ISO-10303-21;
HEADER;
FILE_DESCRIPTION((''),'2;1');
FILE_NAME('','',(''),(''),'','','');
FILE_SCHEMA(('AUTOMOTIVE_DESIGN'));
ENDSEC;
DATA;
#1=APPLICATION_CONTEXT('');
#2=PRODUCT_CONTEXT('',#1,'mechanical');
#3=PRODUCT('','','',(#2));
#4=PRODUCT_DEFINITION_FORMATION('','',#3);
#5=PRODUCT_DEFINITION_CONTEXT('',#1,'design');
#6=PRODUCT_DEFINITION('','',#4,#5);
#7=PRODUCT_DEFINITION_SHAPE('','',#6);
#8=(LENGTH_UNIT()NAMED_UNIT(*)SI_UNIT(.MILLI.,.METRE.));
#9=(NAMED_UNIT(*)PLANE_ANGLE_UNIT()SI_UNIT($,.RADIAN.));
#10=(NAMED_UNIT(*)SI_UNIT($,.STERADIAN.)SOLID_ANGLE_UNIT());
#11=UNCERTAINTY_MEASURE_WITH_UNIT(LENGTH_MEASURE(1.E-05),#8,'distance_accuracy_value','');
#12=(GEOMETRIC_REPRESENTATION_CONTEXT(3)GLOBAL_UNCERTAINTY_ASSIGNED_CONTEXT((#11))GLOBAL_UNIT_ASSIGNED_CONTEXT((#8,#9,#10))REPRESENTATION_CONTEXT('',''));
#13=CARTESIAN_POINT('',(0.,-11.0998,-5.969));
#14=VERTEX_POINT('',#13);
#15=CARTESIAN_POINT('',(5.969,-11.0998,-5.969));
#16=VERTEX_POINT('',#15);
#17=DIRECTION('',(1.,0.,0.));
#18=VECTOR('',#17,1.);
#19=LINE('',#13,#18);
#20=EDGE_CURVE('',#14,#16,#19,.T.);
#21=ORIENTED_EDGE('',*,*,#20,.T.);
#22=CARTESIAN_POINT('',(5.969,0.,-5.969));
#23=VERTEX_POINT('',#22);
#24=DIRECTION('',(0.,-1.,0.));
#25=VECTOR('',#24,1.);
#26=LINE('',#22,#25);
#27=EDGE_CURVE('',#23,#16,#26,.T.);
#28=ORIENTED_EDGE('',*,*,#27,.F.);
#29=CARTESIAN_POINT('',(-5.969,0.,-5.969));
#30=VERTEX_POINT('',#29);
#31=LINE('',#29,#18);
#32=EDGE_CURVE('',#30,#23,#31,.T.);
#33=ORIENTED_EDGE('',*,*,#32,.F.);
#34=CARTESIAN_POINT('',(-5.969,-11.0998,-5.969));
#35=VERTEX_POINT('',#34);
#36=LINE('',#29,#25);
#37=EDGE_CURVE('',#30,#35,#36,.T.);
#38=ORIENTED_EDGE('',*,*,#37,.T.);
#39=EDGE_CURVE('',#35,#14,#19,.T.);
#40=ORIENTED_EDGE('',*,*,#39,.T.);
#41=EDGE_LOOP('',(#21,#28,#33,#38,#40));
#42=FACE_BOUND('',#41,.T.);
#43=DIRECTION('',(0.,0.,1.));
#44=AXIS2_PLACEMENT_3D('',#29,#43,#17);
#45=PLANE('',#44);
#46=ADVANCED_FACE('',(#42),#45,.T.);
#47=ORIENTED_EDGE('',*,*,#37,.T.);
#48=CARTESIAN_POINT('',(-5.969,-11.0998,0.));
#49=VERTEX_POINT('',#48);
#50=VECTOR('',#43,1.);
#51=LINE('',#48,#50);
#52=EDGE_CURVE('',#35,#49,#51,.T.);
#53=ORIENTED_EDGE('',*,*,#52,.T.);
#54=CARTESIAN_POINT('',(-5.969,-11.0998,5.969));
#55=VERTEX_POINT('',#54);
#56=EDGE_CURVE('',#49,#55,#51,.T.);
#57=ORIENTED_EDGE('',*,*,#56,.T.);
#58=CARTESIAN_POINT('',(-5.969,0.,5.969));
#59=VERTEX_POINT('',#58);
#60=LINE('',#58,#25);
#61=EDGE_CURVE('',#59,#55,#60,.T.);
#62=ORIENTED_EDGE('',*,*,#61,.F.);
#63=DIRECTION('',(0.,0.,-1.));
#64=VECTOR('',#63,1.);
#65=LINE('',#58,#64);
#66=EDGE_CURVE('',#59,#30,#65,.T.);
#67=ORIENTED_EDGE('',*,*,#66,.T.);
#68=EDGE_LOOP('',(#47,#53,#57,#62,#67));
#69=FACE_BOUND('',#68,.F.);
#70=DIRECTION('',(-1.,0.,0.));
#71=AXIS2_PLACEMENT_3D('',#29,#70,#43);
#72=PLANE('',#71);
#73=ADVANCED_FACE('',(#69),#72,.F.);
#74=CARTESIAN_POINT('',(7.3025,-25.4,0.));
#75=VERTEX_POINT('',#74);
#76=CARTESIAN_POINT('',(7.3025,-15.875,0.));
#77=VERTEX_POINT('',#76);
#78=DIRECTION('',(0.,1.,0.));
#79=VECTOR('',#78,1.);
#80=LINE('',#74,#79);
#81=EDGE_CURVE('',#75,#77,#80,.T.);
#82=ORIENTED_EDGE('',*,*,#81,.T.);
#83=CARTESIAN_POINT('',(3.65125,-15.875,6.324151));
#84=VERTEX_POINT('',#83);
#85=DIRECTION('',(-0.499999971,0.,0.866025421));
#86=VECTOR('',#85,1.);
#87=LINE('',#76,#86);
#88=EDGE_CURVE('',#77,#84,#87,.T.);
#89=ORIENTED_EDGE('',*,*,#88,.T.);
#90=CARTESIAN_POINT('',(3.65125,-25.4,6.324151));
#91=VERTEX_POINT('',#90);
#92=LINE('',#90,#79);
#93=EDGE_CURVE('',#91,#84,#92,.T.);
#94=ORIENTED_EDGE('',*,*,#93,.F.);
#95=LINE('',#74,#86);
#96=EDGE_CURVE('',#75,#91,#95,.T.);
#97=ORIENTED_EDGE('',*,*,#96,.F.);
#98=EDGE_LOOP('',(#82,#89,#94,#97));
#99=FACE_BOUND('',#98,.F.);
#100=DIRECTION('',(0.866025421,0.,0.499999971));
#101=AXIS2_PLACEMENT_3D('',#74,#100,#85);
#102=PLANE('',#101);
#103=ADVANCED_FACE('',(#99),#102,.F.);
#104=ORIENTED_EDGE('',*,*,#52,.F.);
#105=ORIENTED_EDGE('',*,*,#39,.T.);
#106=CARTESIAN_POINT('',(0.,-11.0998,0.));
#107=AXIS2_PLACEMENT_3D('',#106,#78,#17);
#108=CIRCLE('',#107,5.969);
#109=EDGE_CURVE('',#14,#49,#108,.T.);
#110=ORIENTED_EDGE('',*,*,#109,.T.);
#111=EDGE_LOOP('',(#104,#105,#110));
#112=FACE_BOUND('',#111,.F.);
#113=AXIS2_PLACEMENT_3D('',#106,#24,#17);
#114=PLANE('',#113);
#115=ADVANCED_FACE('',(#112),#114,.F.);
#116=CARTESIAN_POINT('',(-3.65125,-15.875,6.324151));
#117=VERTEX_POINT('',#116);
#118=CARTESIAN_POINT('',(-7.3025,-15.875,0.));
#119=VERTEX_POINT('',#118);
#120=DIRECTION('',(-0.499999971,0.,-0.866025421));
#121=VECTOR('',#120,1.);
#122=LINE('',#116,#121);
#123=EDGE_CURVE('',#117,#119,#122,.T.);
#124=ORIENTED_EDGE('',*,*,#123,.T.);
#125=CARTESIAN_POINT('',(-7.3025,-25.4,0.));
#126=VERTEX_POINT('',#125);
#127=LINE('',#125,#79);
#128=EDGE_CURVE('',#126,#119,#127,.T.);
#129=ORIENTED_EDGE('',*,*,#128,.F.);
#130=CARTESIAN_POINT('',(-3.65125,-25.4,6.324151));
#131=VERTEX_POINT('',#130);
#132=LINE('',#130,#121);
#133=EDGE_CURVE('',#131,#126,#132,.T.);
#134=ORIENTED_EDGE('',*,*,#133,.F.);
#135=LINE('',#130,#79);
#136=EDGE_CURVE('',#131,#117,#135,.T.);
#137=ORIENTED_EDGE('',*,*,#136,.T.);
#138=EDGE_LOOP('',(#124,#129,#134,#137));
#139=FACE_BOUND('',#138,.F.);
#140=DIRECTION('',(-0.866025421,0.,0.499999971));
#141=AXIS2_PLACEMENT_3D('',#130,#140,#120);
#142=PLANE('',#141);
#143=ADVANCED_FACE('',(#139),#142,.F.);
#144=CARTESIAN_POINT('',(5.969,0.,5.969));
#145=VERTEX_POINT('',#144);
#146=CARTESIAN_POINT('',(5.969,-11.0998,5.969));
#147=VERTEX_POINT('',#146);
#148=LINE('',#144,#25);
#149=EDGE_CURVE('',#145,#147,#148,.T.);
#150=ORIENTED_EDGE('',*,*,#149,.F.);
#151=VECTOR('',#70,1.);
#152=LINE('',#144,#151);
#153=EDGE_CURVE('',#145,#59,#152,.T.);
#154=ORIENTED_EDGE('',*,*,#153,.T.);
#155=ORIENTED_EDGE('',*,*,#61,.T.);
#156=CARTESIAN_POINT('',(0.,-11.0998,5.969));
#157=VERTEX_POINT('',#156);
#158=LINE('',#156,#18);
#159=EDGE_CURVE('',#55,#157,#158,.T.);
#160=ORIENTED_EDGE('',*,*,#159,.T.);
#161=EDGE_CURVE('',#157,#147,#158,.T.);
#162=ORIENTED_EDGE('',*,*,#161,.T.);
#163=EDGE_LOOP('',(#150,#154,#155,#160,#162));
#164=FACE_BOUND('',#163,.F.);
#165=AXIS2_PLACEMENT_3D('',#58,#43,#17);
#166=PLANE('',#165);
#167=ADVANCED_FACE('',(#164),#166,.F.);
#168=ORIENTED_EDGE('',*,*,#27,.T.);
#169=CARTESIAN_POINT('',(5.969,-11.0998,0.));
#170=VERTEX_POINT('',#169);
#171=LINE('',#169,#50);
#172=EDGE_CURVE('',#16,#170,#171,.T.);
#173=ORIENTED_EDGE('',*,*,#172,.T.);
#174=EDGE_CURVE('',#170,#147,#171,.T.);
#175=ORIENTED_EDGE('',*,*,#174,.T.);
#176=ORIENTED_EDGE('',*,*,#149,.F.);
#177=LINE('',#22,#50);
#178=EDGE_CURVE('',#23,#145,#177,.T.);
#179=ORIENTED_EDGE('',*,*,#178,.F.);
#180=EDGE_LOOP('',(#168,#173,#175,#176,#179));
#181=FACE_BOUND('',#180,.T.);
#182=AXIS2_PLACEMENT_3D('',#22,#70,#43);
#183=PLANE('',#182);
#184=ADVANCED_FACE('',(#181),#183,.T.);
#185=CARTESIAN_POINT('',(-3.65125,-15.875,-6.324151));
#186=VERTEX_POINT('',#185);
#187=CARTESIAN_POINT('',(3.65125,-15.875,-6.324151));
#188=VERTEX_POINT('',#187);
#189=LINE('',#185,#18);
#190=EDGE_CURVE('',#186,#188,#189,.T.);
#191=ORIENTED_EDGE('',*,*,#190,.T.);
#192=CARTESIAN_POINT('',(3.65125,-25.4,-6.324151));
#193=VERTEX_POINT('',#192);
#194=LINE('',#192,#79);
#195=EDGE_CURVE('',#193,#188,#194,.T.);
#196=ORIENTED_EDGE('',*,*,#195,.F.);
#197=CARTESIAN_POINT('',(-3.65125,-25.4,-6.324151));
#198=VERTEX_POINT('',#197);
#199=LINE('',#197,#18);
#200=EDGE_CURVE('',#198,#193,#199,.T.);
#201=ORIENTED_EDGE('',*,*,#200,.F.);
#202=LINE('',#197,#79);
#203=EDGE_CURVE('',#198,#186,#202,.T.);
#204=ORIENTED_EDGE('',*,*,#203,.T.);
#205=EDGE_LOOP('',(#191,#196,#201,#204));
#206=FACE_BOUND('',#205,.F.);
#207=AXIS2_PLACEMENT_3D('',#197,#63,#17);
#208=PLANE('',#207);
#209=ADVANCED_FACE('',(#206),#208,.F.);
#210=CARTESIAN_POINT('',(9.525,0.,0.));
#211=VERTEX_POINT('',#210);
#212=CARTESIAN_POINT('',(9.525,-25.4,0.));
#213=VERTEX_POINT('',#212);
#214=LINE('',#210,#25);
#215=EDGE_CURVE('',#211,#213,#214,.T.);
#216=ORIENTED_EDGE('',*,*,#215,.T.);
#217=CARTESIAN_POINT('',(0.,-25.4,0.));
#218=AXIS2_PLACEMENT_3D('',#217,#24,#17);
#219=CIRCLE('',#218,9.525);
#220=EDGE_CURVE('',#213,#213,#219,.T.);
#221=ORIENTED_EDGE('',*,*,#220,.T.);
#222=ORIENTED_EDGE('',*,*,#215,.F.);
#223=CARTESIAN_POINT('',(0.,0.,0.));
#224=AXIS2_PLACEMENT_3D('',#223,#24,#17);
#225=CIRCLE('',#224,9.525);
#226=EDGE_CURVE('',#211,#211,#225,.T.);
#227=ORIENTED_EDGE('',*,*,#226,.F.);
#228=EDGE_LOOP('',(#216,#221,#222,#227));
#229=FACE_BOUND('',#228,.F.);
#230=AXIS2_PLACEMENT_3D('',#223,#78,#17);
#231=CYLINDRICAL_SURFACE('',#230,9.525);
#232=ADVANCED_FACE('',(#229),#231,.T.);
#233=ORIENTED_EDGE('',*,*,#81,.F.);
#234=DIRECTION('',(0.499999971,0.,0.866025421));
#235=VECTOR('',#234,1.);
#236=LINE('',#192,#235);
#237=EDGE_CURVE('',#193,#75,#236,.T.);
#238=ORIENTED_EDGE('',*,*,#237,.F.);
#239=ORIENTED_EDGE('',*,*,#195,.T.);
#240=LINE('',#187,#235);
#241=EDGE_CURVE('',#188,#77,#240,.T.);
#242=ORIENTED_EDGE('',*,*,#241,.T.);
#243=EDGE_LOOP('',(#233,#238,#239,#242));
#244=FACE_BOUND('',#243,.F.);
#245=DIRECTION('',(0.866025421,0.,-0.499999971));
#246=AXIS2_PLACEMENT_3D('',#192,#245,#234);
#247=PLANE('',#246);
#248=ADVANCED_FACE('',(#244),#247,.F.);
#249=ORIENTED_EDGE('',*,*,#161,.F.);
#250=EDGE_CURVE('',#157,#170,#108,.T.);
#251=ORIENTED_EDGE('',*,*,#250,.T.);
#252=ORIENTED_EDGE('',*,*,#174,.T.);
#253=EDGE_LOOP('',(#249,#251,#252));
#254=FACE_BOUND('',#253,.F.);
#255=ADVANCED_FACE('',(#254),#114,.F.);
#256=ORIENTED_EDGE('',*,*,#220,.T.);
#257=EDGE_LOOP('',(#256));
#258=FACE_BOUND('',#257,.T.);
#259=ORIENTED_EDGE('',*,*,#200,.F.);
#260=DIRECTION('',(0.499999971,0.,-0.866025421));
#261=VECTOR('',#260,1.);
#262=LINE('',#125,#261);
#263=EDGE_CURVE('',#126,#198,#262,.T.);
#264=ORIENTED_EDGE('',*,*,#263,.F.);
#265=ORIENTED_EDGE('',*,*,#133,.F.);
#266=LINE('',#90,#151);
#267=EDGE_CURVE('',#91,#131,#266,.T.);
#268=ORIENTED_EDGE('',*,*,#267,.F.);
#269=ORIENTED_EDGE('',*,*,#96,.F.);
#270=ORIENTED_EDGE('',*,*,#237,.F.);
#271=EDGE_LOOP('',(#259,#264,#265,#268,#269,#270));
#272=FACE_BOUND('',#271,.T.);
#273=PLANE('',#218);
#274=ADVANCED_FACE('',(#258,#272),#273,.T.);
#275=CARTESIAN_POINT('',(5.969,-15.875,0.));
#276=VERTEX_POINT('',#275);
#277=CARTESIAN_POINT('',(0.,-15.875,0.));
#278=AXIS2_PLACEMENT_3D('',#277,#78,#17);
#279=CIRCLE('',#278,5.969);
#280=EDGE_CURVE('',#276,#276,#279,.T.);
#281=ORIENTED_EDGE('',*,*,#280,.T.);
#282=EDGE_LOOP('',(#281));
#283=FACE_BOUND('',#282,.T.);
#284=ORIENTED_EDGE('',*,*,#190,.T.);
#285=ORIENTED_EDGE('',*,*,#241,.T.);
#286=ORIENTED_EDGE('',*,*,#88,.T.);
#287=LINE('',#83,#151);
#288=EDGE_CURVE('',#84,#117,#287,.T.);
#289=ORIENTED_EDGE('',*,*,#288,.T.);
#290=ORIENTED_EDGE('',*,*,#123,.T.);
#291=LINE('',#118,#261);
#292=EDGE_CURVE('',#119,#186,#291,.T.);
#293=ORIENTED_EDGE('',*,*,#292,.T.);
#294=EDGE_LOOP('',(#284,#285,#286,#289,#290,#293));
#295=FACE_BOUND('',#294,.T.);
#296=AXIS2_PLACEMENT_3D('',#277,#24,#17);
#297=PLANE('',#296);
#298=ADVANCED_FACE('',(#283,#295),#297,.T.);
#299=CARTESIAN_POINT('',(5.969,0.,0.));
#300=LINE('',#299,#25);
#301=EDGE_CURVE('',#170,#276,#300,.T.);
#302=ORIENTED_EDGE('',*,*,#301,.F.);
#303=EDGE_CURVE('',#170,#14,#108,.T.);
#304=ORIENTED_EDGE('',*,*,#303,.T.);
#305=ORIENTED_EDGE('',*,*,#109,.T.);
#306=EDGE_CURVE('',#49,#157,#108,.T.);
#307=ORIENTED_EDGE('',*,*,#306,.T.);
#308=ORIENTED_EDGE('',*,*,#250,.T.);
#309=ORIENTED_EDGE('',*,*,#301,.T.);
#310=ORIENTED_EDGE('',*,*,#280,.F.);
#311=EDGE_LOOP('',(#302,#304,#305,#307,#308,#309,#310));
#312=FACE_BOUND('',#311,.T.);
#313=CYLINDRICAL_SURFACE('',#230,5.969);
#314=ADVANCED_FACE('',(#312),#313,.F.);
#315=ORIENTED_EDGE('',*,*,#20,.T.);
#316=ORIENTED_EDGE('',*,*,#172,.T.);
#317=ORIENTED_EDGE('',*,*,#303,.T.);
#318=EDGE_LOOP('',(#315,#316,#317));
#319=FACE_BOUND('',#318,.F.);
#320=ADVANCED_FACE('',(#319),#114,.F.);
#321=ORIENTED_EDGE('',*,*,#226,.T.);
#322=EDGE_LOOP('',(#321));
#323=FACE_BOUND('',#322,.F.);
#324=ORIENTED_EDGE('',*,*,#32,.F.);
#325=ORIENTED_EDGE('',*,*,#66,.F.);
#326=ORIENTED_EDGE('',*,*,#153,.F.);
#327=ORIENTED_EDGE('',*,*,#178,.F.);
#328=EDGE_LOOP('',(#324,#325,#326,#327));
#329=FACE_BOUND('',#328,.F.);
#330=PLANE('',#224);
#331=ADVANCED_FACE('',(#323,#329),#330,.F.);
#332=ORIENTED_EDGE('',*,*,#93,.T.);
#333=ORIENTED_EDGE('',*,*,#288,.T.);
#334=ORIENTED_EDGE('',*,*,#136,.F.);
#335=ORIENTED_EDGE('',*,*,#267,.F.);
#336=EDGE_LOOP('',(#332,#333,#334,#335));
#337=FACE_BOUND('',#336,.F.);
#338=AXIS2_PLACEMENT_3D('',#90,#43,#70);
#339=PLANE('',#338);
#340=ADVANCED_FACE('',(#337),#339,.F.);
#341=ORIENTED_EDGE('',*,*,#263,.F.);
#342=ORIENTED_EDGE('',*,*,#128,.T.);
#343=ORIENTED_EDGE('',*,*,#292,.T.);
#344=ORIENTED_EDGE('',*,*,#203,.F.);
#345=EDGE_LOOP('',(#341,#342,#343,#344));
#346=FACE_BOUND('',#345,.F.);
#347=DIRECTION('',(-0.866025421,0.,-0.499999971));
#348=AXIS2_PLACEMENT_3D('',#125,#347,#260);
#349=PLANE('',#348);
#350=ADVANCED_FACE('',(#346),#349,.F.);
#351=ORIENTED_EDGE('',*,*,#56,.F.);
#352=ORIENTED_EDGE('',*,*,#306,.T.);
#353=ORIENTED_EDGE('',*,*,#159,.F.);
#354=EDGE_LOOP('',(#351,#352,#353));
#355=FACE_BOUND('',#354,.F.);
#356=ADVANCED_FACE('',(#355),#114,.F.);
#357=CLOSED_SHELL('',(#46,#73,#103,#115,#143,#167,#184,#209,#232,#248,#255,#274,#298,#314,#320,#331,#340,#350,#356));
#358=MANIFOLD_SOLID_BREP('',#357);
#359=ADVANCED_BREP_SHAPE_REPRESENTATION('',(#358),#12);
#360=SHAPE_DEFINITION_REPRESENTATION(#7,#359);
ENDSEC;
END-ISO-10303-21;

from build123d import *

# Parameters (mm, degrees)
F0_R     = 9.525
F1_DEPTH = 25.4
F3_R     = 5.969
F4_DEPTH = 25.401
F2_W     = 11.938
F2_H     = 11.938
F5_DEPTH = 11.0998
F7_DEPTH = 9.525


with BuildPart() as f1:
    # F0 (on Front) → F1 (new body)
    with BuildSketch(Plane.XZ):
        Circle(F0_R)
    extrude(amount=F1_DEPTH)

    # F3 (on Front) → F4 (cut, through all)
    with BuildSketch(Plane.XZ):
        Circle(F3_R)
    extrude(amount=F4_DEPTH, mode=Mode.SUBTRACT)

    # F2 (on Front) → F5 (cut)
    with BuildSketch(Plane.XZ):
        Rectangle(F2_W, F2_H)
    extrude(amount=F5_DEPTH, mode=Mode.SUBTRACT)

    # F6 (on face) → F7 (cut)
    with BuildSketch(Plane.XZ.offset(25.4)):
        Polygon((3.65125, 6.324151), (-3.65125, 6.324151), (-7.3025, 0), (-3.65125, -6.324151), (3.65125, -6.324151), (7.3025, 0), align=None)
    extrude(amount=-F7_DEPTH, mode=Mode.SUBTRACT)


solid = f1.part
